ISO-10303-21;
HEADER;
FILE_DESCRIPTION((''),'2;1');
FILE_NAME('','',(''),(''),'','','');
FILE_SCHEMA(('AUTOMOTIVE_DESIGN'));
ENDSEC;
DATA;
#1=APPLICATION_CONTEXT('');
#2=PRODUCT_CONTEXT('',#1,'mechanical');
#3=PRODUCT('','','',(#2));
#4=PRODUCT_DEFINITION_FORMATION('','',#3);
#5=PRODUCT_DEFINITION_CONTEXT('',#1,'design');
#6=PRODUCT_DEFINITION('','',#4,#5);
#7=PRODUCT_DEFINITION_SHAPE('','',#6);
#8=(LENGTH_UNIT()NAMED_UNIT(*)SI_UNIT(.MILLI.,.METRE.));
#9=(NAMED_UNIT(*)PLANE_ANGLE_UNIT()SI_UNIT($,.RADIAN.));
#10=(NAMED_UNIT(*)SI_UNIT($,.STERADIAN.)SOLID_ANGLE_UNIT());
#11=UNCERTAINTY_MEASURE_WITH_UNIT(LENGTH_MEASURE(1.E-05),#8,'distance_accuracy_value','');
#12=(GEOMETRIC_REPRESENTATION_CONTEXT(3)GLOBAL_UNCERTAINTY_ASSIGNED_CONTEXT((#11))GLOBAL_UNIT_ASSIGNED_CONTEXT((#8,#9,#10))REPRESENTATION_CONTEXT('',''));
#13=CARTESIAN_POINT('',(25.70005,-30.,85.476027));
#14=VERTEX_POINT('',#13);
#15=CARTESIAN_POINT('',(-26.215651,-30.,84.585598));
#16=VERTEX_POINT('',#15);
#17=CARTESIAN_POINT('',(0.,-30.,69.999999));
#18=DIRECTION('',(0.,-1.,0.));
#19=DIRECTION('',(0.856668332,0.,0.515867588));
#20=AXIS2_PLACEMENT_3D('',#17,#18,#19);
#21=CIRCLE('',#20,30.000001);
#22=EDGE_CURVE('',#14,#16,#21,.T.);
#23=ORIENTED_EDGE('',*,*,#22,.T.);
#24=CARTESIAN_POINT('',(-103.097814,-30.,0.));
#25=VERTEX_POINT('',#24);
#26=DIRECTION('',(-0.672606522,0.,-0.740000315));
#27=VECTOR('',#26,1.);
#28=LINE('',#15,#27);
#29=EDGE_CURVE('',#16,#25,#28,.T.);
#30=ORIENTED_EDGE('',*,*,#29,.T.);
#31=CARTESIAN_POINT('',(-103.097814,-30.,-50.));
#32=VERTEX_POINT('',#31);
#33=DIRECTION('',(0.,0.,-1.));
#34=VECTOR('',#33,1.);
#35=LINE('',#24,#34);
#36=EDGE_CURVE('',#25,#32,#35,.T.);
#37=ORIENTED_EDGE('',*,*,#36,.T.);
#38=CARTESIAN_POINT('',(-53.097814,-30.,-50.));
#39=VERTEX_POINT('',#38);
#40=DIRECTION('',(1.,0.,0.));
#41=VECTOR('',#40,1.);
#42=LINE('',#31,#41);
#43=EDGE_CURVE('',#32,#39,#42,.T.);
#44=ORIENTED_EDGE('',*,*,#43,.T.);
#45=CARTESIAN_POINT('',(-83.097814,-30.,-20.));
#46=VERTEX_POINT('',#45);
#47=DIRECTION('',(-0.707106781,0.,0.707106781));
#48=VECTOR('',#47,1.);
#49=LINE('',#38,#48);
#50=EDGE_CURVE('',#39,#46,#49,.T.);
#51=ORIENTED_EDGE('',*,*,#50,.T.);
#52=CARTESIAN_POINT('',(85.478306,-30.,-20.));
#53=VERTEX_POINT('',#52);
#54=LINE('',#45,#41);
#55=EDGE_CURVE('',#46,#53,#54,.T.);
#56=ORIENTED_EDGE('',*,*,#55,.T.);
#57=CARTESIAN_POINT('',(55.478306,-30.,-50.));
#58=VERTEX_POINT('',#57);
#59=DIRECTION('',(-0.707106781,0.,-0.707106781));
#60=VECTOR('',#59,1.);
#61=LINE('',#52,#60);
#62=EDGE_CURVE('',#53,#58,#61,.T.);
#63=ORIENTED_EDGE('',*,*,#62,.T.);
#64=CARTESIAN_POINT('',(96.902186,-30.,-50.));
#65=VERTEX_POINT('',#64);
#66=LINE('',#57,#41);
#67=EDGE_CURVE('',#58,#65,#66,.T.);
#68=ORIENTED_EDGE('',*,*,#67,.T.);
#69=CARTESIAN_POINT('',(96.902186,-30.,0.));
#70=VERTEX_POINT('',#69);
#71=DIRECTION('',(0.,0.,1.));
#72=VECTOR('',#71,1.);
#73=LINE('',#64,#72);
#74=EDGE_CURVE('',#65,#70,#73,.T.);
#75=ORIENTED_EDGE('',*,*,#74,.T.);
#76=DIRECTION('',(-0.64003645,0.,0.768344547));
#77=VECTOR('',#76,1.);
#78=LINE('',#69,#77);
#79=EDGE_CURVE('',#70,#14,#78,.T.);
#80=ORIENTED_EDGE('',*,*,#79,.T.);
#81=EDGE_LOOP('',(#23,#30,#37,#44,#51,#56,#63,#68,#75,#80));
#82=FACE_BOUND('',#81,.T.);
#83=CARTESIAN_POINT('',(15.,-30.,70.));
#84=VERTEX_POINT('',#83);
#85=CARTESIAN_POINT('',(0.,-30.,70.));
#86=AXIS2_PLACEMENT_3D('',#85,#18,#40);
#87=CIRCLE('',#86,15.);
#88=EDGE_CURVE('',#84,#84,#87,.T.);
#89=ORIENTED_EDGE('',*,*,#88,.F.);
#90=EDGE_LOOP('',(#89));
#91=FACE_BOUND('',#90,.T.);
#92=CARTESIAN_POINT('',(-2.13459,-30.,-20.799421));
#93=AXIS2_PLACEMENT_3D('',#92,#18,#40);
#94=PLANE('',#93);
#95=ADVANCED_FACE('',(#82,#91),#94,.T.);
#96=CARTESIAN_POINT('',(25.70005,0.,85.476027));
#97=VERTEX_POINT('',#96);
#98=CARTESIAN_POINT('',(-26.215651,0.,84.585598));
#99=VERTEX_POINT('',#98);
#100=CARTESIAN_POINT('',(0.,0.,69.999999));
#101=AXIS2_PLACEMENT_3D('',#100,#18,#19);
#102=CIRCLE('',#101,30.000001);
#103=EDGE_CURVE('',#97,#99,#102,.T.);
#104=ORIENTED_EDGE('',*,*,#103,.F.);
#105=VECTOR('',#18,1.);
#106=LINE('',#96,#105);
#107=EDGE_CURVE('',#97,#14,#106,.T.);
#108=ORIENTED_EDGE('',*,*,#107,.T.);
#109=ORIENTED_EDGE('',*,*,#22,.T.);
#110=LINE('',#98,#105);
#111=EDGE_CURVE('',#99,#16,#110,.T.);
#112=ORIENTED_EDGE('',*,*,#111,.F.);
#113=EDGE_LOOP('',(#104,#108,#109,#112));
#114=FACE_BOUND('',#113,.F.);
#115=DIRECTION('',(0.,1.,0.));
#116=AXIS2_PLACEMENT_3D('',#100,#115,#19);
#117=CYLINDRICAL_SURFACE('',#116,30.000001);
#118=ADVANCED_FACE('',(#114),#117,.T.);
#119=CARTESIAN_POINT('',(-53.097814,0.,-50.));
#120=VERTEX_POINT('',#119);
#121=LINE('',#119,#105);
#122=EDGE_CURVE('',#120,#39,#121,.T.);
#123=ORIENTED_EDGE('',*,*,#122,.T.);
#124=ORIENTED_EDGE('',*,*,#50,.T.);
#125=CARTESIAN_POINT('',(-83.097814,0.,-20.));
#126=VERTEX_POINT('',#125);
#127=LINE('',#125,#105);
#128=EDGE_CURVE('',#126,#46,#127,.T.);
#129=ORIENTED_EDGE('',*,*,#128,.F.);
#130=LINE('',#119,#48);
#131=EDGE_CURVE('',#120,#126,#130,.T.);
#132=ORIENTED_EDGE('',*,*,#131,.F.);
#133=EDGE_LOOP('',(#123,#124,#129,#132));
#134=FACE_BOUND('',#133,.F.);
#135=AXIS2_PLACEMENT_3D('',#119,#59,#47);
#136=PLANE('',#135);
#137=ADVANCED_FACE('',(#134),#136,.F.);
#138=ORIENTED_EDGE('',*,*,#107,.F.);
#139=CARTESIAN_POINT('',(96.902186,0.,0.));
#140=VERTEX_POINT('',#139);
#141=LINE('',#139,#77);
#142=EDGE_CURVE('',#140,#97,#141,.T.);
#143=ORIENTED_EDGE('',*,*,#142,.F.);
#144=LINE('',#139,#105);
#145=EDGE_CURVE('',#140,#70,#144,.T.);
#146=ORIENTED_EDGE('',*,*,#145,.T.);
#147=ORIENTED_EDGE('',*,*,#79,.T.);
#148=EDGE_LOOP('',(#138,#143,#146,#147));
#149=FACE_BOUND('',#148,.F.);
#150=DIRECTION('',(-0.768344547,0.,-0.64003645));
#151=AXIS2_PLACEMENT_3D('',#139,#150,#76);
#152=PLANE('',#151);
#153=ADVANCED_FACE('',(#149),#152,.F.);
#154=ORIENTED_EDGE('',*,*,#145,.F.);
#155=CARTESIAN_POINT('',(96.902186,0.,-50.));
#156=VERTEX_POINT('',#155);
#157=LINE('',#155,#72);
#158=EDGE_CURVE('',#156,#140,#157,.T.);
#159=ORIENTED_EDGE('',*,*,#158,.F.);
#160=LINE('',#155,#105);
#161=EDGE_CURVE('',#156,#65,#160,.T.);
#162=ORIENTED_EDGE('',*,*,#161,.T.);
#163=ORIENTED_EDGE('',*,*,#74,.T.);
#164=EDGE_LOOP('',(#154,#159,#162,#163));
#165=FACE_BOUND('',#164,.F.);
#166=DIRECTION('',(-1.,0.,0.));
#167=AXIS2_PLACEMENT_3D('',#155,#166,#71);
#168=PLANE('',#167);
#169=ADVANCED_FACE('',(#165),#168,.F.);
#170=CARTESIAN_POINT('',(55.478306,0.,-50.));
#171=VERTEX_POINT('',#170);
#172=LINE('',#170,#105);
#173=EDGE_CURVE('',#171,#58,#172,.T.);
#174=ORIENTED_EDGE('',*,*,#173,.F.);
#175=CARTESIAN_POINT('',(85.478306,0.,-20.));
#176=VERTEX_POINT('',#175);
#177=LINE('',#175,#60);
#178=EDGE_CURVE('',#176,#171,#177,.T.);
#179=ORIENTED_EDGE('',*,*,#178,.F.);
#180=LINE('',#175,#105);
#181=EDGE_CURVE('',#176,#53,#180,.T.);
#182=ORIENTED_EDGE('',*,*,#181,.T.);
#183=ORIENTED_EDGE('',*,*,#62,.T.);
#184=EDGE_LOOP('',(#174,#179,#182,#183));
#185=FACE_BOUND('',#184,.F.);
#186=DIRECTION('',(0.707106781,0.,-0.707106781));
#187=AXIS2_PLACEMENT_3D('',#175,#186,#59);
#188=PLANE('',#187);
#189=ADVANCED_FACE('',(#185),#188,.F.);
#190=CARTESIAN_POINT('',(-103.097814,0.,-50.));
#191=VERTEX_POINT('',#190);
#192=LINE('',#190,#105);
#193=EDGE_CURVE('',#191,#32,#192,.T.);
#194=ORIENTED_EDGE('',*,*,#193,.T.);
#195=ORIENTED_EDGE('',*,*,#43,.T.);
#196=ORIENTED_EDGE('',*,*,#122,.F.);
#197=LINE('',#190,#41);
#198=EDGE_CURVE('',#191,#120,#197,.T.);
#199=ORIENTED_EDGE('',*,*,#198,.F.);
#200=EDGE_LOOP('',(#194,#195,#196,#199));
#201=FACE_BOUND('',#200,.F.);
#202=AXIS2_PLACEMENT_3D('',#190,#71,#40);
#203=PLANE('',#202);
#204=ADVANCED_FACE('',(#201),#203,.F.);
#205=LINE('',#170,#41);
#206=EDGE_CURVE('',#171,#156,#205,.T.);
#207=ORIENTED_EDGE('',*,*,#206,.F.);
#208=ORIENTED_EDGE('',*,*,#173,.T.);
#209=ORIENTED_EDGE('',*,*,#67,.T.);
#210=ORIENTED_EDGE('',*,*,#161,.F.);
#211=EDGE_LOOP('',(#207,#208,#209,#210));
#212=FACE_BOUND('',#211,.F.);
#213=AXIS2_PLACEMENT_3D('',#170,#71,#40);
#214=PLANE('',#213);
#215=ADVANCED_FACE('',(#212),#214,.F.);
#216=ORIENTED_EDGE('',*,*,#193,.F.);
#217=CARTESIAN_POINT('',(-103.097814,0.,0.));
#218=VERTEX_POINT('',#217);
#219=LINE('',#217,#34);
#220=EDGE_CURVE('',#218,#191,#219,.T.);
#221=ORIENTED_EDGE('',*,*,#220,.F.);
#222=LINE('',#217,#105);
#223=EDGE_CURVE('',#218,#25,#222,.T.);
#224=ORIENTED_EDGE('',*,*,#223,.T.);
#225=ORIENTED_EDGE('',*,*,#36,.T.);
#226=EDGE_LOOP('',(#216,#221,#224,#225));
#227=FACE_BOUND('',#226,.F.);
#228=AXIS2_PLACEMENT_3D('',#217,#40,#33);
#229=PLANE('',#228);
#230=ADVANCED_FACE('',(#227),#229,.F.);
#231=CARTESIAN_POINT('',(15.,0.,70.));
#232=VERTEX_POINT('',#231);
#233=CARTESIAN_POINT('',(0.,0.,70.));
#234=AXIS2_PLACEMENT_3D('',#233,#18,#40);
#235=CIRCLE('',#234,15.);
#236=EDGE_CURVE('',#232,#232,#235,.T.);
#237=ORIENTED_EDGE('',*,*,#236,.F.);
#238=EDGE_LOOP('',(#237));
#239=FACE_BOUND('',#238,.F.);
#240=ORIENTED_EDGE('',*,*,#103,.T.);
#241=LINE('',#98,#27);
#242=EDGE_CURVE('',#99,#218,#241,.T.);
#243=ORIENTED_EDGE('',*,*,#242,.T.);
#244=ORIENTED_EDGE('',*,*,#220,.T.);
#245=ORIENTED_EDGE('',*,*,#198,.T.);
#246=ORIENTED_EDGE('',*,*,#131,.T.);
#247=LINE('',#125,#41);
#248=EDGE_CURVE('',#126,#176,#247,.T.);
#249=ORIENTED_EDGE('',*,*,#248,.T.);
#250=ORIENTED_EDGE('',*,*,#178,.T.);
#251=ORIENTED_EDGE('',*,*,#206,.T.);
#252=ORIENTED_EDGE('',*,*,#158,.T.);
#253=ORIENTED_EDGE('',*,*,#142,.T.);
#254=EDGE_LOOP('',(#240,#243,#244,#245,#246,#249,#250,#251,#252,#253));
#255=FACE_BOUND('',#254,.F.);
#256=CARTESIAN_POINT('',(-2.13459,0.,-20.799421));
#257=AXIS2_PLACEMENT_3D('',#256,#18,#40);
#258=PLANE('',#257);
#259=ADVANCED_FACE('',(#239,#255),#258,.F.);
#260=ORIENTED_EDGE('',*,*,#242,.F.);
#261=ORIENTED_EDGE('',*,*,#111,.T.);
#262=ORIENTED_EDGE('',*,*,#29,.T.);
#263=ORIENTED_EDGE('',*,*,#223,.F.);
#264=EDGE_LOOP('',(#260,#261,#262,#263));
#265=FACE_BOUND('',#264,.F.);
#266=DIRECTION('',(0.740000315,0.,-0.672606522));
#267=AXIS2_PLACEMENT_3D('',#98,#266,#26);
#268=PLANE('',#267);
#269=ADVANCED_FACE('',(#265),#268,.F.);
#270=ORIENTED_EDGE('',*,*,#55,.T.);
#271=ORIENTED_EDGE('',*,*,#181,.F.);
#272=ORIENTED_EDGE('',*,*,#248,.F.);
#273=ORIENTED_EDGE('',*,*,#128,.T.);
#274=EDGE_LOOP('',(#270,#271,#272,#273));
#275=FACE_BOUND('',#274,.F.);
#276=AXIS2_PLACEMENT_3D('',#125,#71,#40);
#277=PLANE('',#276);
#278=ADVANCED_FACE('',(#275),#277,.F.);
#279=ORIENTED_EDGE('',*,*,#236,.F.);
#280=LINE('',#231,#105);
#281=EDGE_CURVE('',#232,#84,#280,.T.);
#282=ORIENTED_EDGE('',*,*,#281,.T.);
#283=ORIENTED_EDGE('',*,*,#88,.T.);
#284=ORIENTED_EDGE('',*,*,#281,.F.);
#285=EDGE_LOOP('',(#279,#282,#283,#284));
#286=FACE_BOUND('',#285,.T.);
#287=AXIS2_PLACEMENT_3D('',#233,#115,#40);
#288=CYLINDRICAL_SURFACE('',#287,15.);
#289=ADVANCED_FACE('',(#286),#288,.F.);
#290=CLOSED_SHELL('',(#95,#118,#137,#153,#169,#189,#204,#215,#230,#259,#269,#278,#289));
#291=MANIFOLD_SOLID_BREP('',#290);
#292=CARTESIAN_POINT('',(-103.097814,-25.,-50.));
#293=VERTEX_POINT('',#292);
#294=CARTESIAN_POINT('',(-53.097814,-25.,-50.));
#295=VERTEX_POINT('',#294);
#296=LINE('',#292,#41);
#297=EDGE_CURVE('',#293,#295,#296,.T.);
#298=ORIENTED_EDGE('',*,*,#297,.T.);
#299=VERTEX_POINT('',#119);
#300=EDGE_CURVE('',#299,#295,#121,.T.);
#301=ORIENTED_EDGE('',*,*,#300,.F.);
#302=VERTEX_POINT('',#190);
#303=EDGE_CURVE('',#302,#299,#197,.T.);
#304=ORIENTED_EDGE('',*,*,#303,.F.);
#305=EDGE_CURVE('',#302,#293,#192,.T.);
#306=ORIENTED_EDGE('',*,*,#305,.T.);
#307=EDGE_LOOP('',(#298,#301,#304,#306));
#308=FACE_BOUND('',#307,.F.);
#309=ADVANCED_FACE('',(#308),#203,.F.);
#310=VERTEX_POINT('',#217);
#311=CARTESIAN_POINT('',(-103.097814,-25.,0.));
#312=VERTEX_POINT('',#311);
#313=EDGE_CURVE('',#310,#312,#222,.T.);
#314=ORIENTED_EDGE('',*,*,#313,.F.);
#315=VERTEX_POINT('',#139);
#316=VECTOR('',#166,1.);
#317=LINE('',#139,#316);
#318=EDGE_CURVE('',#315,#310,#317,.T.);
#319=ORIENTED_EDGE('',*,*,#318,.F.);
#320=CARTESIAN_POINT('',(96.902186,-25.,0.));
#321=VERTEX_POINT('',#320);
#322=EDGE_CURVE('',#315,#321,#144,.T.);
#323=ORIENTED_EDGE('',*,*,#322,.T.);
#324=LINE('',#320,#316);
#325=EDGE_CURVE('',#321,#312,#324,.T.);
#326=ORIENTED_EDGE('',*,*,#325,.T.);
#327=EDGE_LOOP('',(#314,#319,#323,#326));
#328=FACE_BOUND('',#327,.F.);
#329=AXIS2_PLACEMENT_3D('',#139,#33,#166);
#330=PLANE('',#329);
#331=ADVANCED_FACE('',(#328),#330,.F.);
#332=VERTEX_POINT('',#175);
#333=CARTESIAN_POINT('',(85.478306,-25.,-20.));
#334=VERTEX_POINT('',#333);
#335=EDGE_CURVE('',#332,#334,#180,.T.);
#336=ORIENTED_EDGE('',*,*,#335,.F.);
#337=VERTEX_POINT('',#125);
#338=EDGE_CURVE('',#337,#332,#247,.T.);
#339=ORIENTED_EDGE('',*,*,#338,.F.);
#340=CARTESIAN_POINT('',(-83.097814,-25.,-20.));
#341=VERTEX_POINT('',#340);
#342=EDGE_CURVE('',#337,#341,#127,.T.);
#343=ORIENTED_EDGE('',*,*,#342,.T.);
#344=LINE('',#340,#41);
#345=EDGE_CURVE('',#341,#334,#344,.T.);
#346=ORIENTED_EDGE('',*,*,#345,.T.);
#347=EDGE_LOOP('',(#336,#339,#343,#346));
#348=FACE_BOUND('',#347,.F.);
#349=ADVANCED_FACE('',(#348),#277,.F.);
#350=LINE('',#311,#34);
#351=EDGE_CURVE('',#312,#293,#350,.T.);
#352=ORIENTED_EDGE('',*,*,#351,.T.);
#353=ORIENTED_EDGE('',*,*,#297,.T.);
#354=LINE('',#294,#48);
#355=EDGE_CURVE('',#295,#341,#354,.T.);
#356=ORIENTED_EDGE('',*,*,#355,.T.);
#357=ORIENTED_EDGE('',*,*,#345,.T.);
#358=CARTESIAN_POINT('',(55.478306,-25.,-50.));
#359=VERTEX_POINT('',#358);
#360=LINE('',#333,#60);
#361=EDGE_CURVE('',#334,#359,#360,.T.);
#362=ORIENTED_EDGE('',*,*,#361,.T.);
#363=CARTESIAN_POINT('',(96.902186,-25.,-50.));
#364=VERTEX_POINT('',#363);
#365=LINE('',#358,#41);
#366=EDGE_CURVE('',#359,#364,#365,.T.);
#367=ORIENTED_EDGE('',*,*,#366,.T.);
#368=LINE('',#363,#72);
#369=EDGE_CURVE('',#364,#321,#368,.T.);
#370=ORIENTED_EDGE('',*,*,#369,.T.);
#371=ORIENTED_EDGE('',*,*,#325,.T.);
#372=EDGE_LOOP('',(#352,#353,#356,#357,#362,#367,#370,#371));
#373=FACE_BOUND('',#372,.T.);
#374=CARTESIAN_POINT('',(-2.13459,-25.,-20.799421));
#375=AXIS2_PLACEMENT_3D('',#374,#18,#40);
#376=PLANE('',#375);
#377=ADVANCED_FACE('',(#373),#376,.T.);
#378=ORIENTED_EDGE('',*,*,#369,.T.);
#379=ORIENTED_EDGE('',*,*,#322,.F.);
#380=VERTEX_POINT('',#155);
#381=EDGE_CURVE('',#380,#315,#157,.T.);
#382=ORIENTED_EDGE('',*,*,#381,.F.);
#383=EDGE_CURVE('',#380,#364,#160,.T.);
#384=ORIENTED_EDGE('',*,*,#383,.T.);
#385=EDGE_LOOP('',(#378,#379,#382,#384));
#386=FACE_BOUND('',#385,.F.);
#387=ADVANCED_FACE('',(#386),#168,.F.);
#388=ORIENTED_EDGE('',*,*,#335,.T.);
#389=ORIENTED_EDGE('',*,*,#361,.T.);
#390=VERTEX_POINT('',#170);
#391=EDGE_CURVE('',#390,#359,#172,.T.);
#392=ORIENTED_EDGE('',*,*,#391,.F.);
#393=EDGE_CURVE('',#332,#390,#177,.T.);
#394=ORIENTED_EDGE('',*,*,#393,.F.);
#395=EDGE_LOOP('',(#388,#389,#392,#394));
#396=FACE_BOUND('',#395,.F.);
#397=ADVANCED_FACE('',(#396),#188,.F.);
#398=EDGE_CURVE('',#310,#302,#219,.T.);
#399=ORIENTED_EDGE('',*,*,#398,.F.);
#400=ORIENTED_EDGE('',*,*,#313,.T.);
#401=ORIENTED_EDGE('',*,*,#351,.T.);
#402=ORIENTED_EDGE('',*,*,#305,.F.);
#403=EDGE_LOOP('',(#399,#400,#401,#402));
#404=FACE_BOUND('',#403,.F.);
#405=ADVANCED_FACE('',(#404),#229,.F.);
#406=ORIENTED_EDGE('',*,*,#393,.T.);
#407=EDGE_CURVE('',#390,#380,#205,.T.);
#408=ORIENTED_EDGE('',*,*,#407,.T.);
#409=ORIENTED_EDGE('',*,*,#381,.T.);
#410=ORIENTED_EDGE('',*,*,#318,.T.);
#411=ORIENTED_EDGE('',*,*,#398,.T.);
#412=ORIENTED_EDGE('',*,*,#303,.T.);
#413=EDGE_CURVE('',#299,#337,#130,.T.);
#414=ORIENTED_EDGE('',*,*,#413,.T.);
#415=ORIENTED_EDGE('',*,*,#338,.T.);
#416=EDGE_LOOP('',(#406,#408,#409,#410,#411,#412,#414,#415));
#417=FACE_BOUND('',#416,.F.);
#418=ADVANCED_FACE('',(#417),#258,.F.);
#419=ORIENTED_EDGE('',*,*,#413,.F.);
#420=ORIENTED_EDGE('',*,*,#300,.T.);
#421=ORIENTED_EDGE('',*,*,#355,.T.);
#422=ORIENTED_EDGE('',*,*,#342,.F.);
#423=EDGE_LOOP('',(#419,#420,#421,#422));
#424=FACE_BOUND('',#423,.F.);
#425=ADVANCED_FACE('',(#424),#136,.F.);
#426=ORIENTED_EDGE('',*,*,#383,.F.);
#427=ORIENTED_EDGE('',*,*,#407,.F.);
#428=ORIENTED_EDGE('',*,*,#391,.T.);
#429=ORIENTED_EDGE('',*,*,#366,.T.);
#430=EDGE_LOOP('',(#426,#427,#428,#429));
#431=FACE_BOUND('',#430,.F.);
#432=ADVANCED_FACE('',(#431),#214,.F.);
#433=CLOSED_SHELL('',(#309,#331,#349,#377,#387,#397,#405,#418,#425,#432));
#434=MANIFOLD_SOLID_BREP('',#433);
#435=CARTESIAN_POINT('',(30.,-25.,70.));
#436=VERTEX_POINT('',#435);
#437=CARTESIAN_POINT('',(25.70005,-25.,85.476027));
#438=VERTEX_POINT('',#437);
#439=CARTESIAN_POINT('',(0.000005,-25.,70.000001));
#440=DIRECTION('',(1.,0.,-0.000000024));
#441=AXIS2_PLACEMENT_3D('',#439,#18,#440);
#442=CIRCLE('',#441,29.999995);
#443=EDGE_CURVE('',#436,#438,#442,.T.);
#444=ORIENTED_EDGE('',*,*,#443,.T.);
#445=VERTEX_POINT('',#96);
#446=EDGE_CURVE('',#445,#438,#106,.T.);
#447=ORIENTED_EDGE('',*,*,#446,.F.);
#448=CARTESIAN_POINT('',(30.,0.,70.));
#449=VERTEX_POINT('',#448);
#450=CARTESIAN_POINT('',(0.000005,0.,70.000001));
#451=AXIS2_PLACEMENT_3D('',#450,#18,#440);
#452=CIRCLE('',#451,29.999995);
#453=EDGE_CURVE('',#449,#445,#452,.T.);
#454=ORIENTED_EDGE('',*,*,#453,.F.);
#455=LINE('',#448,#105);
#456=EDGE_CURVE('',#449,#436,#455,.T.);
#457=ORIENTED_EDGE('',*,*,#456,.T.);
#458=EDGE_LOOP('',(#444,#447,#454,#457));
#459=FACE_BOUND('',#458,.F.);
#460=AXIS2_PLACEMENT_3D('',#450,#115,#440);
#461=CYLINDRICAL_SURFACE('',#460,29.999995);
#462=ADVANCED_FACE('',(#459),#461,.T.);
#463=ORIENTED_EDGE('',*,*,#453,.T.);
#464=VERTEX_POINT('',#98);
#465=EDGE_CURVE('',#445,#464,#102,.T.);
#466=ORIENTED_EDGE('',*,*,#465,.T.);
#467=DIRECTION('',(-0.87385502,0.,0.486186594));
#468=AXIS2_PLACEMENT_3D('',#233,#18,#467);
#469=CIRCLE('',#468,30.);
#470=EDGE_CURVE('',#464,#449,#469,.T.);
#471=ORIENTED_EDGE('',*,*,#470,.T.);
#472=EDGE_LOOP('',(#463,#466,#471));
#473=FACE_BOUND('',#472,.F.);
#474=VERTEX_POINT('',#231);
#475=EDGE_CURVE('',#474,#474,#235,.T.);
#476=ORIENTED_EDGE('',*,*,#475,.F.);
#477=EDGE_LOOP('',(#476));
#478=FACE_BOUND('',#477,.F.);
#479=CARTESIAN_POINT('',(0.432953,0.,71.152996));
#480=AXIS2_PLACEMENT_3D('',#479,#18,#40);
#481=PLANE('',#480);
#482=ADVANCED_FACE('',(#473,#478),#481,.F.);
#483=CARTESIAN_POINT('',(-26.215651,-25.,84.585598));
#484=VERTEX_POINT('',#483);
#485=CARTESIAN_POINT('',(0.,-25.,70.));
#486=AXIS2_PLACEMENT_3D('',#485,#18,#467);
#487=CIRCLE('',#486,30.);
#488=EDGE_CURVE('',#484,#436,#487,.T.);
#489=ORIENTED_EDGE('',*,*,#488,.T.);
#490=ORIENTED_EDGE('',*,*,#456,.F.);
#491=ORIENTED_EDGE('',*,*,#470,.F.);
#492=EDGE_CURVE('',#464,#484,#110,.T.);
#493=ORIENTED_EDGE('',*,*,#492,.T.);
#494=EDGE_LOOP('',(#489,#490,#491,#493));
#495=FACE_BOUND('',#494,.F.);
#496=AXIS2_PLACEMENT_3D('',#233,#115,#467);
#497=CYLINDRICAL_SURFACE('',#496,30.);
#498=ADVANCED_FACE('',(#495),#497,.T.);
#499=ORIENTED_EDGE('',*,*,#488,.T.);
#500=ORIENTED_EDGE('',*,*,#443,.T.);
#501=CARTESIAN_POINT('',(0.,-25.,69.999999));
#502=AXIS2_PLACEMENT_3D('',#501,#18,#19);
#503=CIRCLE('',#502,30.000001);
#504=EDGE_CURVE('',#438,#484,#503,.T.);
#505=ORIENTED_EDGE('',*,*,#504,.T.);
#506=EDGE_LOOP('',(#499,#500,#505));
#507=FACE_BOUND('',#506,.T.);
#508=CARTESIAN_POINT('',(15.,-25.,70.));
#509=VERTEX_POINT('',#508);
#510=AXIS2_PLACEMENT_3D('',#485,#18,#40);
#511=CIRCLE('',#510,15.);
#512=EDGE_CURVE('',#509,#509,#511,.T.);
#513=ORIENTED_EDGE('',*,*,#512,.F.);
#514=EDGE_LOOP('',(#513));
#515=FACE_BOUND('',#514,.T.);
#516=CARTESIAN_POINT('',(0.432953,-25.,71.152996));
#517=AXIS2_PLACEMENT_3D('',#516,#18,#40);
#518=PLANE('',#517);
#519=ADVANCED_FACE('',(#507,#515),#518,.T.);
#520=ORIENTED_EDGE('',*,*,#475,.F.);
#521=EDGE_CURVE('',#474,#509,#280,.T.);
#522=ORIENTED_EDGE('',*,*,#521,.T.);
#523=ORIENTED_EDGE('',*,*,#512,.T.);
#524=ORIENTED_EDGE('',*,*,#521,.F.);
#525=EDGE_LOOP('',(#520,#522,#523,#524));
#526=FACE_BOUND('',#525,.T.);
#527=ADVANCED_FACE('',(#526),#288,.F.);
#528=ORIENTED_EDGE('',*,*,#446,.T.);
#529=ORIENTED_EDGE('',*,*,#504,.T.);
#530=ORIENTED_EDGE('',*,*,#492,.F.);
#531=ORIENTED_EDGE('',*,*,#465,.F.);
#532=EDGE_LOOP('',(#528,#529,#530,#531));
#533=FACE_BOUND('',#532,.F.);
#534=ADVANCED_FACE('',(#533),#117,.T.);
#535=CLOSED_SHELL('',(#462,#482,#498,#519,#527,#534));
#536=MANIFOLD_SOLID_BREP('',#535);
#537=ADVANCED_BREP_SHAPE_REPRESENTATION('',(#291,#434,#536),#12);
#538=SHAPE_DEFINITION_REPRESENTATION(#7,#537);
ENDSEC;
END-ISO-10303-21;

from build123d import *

# Parameters (mm, degrees)
F0_R     = 15
F1_DEPTH = 25
F2_DEPTH = 30


with BuildPart() as f1:
    # F0 (on Front) → F1 (new body)
    with BuildSketch(Plane.XZ):
        Polygon((-103.097814, 0), (-103.097814, -50), (-53.097814, -50), (-83.097814, -20), (85.478306, -20), (55.478306, -50), (96.902186, -50), (96.902186, 0), align=None)
        with BuildLine():
            ThreePointArc((25.70005, 85.476027), (-0.514468, 99.995588), (-26.215651, 84.585598))
            ThreePointArc((-26.215651, 84.585598), (-7.534271, 40.961495), (30, 70))
            ThreePointArc((30, 70), (28.90503, 78.031142), (25.70005, 85.476027))
        make_face()
        with Locations((0, 70)):
            Circle(F0_R, mode=Mode.SUBTRACT)
    extrude(amount=F1_DEPTH)


with BuildPart() as f2:
    # F0 (on Front) → F2 (new body)
    with BuildSketch(Plane.XZ):
        Polygon((-103.097814, 0), (-103.097814, -50), (-53.097814, -50), (-83.097814, -20), (85.478306, -20), (55.478306, -50), (96.902186, -50), (96.902186, 0), align=None)
        with BuildLine():
            Line((-26.215651, 84.585598), (-103.097814, 0))
            Line((-103.097814, 0), (96.902186, 0))
            Line((96.902186, 0), (25.70005, 85.476027))
            ThreePointArc((25.70005, 85.476027), (28.90503, 78.031142), (30, 70))
            ThreePointArc((30, 70), (-7.534271, 40.961495), (-26.215651, 84.585598))
        make_face()
        with BuildLine():
            ThreePointArc((25.70005, 85.476027), (-0.514468, 99.995588), (-26.215651, 84.585598))
            ThreePointArc((-26.215651, 84.585598), (-7.534271, 40.961495), (30, 70))
            ThreePointArc((30, 70), (28.90503, 78.031142), (25.70005, 85.476027))
        make_face()
        with Locations((0, 70)):
            Circle(F0_R, mode=Mode.SUBTRACT)
    extrude(amount=F2_DEPTH)


solid = Compound([f1.part, f2.part])
